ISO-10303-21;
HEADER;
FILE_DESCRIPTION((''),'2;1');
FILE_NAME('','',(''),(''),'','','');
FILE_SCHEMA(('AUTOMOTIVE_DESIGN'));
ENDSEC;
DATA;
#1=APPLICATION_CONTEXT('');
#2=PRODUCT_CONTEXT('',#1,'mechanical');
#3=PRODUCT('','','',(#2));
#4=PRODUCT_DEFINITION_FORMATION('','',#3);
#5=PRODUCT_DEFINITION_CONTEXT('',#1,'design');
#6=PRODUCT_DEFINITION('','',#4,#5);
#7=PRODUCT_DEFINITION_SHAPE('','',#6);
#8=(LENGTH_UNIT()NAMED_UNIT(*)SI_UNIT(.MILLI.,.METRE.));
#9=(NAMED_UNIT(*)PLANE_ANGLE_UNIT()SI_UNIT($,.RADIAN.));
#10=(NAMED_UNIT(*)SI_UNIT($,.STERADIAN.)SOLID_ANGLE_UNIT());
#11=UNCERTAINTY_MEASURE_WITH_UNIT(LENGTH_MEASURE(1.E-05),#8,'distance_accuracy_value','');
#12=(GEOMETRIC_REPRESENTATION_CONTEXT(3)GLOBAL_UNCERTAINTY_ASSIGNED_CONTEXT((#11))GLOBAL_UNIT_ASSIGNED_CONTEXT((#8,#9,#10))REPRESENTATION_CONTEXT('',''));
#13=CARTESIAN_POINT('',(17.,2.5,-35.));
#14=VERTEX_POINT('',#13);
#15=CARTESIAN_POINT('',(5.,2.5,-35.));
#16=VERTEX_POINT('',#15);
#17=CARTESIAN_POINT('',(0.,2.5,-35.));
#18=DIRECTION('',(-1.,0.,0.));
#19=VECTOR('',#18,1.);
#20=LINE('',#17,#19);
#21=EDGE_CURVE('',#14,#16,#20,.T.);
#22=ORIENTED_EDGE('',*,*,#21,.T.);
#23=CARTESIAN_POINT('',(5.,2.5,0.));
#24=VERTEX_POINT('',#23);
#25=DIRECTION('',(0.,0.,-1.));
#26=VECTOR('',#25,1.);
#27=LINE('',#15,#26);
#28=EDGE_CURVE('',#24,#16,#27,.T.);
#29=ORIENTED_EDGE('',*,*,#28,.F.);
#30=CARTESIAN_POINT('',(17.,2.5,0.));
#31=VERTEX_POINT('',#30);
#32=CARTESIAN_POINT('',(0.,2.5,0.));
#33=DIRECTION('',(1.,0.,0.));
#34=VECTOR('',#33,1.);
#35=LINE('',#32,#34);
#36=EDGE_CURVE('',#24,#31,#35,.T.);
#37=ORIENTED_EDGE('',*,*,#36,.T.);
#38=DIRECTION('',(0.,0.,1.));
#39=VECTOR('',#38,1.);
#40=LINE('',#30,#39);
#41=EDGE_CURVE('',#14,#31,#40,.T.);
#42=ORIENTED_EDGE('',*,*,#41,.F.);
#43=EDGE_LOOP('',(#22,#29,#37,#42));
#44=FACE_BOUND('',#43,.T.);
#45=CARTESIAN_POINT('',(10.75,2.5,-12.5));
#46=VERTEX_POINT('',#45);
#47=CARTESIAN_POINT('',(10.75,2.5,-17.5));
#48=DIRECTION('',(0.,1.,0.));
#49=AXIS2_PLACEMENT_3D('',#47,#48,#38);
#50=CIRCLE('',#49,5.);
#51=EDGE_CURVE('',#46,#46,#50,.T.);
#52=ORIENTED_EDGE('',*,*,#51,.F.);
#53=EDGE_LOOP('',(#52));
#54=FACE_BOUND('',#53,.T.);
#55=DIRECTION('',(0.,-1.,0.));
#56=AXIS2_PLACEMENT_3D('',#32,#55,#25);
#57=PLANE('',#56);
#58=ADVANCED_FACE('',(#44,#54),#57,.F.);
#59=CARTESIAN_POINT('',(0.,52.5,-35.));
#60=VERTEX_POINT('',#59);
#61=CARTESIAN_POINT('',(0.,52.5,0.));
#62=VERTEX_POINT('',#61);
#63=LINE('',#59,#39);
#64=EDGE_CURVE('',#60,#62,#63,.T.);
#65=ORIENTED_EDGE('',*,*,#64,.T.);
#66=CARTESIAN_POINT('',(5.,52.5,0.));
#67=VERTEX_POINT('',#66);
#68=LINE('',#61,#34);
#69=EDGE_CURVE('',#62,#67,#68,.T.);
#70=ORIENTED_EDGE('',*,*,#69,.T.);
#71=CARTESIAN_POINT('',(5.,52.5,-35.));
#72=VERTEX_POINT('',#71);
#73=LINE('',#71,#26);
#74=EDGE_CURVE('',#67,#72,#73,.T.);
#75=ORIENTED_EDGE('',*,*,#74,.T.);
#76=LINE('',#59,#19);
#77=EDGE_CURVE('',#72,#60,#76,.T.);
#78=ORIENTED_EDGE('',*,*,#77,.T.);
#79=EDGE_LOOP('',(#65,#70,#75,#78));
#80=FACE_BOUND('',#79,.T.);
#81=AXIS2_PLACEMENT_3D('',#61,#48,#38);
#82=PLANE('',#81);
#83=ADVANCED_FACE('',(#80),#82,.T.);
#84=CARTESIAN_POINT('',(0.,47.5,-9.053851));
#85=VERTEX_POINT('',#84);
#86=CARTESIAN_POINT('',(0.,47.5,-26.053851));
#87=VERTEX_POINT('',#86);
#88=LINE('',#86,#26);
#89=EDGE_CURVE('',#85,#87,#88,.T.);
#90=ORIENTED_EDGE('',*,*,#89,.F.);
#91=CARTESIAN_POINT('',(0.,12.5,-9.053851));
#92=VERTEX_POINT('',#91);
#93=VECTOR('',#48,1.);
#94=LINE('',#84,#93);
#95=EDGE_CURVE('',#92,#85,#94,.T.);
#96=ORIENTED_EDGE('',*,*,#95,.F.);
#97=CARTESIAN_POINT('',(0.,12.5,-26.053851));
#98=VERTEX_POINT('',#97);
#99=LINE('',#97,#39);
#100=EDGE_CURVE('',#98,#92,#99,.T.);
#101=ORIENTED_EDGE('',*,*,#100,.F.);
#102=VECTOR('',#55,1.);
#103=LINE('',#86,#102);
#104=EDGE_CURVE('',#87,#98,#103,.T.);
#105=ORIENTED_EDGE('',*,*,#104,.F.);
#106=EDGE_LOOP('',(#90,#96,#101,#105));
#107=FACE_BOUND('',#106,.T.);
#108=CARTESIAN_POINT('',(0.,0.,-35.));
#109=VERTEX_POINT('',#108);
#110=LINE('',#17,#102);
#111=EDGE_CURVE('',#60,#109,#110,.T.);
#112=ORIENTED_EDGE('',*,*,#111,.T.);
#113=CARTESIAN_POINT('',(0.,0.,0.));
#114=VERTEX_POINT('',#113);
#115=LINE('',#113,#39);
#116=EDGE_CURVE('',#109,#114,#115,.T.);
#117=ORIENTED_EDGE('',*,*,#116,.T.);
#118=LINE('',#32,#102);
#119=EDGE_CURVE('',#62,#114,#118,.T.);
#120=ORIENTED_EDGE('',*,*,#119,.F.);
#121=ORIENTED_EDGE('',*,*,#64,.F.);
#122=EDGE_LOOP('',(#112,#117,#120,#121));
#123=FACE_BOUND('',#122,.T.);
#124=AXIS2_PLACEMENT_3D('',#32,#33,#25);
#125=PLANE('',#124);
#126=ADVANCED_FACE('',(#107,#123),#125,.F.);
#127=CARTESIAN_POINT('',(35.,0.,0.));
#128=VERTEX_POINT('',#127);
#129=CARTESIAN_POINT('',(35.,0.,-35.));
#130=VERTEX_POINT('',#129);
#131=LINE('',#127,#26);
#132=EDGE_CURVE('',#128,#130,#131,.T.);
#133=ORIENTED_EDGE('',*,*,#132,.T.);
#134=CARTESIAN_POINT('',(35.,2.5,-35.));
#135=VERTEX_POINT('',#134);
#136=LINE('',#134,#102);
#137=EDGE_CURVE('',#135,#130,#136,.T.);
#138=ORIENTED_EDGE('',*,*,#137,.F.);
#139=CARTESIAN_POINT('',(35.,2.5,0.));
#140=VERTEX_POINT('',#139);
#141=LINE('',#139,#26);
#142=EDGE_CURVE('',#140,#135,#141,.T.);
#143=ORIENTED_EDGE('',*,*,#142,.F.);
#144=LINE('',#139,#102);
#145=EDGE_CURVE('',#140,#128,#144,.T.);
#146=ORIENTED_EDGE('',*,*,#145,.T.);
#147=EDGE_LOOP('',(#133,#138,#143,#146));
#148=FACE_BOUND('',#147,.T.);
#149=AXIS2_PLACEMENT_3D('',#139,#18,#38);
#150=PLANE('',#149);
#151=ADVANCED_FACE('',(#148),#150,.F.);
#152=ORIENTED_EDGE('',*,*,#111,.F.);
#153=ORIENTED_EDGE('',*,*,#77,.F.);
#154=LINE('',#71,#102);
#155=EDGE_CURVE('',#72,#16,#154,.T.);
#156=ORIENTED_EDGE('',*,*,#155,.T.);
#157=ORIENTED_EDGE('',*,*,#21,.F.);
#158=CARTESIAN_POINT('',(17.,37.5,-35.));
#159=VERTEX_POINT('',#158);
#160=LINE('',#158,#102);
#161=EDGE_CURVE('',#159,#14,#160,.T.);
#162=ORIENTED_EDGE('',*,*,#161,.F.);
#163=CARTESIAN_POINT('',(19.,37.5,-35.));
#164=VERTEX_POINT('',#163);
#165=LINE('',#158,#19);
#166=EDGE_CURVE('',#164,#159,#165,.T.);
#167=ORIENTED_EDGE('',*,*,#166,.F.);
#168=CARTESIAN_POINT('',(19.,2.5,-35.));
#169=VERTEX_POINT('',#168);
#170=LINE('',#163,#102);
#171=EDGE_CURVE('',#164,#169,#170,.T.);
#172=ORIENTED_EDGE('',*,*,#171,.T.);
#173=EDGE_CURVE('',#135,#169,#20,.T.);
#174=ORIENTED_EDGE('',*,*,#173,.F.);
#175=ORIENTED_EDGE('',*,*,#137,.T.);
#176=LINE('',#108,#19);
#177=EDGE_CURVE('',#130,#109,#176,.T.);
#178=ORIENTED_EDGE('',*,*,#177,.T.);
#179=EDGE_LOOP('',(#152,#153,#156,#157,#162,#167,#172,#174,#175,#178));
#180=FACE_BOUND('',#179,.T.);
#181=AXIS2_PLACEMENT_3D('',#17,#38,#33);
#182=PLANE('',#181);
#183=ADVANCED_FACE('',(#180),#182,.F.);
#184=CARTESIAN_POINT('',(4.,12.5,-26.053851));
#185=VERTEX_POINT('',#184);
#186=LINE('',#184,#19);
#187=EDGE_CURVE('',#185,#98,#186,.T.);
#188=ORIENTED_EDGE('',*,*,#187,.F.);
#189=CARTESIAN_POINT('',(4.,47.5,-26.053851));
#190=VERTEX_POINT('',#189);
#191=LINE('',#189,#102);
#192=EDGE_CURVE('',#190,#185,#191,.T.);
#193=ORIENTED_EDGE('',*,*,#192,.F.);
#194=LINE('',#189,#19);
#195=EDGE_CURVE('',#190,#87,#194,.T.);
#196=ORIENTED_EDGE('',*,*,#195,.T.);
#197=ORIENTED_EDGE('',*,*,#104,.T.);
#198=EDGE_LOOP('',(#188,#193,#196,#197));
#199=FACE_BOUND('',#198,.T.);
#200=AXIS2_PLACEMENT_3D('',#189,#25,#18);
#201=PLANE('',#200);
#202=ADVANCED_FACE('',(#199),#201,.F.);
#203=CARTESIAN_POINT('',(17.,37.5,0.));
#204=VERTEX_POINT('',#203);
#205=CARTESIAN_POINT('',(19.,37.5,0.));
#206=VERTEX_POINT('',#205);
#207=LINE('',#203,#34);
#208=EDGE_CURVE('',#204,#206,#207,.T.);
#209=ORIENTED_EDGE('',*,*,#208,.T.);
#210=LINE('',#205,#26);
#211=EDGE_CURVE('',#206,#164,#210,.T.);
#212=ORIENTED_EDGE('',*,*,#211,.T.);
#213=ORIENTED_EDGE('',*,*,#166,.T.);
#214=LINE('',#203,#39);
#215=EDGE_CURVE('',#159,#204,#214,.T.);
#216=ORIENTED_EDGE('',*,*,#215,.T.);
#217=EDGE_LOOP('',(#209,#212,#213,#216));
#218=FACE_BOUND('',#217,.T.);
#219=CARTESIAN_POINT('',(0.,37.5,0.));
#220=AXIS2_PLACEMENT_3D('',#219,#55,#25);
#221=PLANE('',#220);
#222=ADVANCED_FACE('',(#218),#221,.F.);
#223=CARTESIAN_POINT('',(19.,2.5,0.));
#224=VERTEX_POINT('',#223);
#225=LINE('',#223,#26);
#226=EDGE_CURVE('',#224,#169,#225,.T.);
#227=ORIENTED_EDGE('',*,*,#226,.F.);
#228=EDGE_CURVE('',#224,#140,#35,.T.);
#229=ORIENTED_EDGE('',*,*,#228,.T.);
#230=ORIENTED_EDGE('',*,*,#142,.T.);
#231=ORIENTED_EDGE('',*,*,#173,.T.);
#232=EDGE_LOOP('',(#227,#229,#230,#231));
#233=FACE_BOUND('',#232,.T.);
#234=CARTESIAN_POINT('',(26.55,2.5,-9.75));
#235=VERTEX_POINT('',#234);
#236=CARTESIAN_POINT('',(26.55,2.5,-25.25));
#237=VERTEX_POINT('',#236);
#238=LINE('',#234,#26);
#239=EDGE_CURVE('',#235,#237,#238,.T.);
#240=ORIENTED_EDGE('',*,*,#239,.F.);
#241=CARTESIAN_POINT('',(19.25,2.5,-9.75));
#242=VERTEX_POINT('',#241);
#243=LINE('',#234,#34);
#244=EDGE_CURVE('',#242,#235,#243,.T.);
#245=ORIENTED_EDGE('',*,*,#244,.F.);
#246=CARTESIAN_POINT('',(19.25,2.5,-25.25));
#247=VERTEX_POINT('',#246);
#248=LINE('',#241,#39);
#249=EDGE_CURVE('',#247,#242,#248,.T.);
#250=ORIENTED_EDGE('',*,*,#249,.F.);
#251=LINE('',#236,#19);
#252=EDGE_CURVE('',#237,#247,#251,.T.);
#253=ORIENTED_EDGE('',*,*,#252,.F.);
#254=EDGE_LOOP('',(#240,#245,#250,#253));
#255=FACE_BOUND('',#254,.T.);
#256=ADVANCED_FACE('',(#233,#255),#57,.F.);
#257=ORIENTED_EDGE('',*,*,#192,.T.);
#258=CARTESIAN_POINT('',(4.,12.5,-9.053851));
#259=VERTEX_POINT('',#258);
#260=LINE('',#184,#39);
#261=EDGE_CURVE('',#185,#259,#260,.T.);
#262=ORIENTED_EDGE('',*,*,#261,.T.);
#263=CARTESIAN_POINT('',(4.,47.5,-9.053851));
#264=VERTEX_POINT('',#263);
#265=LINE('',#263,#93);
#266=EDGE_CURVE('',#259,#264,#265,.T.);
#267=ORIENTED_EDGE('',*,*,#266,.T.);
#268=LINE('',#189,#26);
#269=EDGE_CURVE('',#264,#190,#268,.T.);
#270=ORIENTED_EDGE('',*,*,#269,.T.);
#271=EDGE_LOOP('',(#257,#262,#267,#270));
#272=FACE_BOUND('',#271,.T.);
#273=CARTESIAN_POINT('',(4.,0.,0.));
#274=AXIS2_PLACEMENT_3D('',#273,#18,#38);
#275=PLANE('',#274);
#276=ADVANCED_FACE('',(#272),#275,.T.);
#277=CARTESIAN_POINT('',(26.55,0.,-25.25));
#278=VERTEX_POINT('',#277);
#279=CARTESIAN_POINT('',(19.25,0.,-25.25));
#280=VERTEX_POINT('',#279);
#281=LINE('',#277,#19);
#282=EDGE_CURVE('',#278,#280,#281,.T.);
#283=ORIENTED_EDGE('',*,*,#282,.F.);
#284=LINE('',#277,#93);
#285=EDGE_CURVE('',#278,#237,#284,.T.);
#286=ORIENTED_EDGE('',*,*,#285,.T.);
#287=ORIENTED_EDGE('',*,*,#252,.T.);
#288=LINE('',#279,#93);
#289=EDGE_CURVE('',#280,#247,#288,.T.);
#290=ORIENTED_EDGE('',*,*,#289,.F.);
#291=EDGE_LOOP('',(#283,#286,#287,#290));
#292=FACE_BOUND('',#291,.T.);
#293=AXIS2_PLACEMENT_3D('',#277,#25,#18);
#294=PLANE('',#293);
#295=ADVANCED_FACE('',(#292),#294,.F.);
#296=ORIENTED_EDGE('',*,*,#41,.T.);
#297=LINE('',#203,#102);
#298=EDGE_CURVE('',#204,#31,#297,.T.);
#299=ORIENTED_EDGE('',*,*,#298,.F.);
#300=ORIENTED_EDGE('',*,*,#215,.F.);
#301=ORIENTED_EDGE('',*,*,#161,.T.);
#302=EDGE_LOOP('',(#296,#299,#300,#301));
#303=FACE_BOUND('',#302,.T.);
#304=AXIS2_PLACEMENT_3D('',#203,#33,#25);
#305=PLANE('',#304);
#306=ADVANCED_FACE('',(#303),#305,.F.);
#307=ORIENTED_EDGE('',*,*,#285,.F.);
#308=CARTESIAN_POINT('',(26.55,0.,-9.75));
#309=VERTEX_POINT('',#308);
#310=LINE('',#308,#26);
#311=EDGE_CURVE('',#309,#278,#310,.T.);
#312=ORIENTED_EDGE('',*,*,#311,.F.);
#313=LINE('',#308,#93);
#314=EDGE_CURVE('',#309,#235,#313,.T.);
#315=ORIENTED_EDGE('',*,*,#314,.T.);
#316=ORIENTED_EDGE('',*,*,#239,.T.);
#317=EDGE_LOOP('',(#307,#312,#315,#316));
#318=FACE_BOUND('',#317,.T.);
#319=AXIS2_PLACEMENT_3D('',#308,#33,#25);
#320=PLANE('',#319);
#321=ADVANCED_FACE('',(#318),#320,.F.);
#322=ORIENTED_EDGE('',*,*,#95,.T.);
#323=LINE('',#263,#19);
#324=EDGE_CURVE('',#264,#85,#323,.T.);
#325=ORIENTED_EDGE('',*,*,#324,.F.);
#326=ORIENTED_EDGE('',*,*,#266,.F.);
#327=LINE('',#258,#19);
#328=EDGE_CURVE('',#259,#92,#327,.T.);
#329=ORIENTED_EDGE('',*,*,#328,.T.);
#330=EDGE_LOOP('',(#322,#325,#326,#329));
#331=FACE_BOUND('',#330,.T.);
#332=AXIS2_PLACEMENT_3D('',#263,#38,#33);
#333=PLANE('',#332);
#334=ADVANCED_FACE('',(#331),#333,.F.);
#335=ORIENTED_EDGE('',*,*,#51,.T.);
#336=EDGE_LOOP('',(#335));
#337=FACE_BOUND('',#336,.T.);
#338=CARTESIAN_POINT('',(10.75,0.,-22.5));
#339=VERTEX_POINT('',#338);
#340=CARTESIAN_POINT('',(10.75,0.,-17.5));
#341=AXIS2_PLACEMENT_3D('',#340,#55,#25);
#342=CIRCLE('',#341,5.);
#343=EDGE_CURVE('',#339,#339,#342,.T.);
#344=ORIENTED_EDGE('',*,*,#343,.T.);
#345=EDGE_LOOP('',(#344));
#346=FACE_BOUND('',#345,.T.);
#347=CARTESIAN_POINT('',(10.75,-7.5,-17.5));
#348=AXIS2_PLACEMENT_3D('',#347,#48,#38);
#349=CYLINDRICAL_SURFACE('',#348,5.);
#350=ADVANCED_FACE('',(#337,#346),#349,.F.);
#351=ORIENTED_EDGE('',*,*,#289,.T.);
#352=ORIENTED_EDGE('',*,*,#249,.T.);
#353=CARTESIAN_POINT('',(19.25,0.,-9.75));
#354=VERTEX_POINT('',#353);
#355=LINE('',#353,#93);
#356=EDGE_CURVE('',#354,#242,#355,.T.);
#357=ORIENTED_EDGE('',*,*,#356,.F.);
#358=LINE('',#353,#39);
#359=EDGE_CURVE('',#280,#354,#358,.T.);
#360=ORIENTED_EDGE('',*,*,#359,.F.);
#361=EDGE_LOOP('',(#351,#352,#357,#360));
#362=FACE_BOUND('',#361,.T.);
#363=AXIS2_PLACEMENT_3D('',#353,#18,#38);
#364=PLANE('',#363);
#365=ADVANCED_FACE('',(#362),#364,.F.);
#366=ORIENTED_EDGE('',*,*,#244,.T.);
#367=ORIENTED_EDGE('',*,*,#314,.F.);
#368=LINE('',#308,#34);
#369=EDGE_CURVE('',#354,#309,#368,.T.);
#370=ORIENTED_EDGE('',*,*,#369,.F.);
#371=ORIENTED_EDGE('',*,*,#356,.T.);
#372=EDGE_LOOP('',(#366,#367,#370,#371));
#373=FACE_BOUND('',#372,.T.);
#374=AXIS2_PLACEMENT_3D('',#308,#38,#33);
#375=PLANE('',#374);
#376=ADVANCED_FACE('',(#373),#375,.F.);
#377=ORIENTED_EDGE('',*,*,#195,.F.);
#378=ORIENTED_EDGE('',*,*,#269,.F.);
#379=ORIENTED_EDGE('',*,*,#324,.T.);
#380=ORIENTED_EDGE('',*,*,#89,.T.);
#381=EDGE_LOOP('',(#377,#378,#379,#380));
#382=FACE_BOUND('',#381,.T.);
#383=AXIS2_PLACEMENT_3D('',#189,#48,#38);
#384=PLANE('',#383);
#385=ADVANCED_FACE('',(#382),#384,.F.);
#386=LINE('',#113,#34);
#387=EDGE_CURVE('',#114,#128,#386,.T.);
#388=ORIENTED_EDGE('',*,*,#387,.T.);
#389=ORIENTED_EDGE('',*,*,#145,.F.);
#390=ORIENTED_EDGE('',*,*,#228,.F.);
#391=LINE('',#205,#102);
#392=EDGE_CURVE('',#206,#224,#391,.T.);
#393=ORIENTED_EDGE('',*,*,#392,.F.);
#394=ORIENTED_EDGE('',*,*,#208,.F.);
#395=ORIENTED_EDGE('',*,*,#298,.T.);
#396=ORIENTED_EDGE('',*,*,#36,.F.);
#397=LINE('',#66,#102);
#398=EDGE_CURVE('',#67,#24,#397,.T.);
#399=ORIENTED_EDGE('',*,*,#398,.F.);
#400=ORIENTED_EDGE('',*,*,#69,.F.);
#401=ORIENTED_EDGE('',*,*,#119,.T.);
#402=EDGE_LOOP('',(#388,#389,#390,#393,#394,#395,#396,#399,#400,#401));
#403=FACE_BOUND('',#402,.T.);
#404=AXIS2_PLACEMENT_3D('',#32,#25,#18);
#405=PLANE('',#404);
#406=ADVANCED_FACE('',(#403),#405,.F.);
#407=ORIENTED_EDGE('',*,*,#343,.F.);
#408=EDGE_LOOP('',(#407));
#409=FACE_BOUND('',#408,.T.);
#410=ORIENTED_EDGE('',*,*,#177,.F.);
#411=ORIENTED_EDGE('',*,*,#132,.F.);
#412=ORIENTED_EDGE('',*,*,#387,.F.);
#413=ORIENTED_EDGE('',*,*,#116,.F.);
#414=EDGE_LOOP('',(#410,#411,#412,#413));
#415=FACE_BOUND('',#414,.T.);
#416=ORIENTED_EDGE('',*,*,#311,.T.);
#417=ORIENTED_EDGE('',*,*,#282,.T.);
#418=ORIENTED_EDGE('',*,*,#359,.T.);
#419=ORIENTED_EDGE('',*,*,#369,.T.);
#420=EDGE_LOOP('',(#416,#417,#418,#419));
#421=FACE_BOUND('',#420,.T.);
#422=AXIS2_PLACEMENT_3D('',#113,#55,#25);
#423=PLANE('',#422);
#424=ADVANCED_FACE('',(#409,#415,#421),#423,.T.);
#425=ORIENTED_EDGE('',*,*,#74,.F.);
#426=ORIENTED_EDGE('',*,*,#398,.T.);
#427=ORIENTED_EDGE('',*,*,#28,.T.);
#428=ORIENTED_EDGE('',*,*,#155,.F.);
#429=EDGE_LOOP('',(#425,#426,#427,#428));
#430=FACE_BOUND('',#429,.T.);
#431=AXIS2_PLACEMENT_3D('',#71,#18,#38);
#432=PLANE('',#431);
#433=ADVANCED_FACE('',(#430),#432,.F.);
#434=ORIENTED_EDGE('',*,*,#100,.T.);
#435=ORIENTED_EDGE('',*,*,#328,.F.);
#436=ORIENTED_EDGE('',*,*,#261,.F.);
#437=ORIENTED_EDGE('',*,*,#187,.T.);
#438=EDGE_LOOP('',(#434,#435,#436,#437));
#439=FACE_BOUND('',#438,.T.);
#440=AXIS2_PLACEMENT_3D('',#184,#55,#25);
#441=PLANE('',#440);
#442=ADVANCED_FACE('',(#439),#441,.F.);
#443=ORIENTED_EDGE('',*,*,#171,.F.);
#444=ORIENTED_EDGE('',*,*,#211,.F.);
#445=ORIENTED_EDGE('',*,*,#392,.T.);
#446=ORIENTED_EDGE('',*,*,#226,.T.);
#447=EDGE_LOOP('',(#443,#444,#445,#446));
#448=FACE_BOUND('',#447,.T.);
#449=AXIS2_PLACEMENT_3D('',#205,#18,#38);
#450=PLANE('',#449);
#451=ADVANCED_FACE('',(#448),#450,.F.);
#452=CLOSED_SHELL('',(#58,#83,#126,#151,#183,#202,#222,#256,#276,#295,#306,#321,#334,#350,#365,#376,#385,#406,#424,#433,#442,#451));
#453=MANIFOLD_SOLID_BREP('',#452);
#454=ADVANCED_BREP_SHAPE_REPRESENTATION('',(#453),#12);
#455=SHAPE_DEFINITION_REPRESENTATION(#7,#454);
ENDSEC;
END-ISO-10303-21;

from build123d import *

# Parameters (mm, degrees)
SKETCH1_W           = 35
SKETCH1_H           = 35
BOSS_EXTRUDE1_DEPTH = 2.5
SKETCH2_W           = 5
SKETCH2_H           = 35
BOSS_EXTRUDE2_DEPTH = 50
SKETCH5_W           = 17
SKETCH5_H           = 35
CUT_EXTRUDE2_DEPTH  = 4
SKETCH6_R           = 5
CUT_EXTRUDE3_DEPTH  = 10
SKETCH7_W           = 2
SKETCH7_H           = 35
BOSS_EXTRUDE3_DEPTH = 35
SKETCH8_W           = 7.3
SKETCH8_H           = 15.5
CUT_EXTRUDE4_DEPTH  = 3.5


with BuildPart() as part:
    # Sketch1 → Boss-Extrude1 (new body)
    with BuildSketch(Plane(origin=(0, 0, 0), x_dir=(1, 0, 0), z_dir=(0, 1, 0))):
        with Locations((17.5, 17.5)):
            Rectangle(SKETCH1_W, SKETCH1_H)
    extrude(amount=BOSS_EXTRUDE1_DEPTH)

    # Sketch2 → Boss-Extrude2 (add)
    with BuildSketch(Plane(origin=(0, 2.5, 0), x_dir=(1, 0, 0), z_dir=(0, 1, 0))):
        with Locations((2.5, 17.5)):
            Rectangle(SKETCH2_W, SKETCH2_H)
    extrude(amount=BOSS_EXTRUDE2_DEPTH)

    # Sketch5 → Cut-Extrude2 (cut)
    with BuildSketch(Plane.ZY):
        with Locations((-17.553851225, 30)):
            Rectangle(SKETCH5_W, SKETCH5_H)
    extrude(amount=-CUT_EXTRUDE2_DEPTH, mode=Mode.SUBTRACT)

    # Sketch6 → Cut-Extrude3 (cut)
    with BuildSketch(Plane(origin=(0, 2.5, 0), x_dir=(1, 0, 0), z_dir=(0, 1, 0))):
        with Locations((10.75, 17.5)):
            Circle(SKETCH6_R)
    extrude(amount=-CUT_EXTRUDE3_DEPTH, mode=Mode.SUBTRACT)

    # Sketch7 → Boss-Extrude3 (add)
    with BuildSketch(Plane(origin=(0, 2.5, 0), x_dir=(1, 0, 0), z_dir=(0, 1, 0))):
        with Locations((18, 17.5)):
            Rectangle(SKETCH7_W, SKETCH7_H)
    extrude(amount=BOSS_EXTRUDE3_DEPTH)

    # Sketch8 → Cut-Extrude4 (cut, through all)
    with BuildSketch(Plane(origin=(0, 2.5, 0), x_dir=(1, 0, 0), z_dir=(0, 1, 0))):
        with Locations((22.9, 17.5)):
            Rectangle(SKETCH8_W, SKETCH8_H)
    extrude(amount=-CUT_EXTRUDE4_DEPTH, mode=Mode.SUBTRACT)


solid = part.part
